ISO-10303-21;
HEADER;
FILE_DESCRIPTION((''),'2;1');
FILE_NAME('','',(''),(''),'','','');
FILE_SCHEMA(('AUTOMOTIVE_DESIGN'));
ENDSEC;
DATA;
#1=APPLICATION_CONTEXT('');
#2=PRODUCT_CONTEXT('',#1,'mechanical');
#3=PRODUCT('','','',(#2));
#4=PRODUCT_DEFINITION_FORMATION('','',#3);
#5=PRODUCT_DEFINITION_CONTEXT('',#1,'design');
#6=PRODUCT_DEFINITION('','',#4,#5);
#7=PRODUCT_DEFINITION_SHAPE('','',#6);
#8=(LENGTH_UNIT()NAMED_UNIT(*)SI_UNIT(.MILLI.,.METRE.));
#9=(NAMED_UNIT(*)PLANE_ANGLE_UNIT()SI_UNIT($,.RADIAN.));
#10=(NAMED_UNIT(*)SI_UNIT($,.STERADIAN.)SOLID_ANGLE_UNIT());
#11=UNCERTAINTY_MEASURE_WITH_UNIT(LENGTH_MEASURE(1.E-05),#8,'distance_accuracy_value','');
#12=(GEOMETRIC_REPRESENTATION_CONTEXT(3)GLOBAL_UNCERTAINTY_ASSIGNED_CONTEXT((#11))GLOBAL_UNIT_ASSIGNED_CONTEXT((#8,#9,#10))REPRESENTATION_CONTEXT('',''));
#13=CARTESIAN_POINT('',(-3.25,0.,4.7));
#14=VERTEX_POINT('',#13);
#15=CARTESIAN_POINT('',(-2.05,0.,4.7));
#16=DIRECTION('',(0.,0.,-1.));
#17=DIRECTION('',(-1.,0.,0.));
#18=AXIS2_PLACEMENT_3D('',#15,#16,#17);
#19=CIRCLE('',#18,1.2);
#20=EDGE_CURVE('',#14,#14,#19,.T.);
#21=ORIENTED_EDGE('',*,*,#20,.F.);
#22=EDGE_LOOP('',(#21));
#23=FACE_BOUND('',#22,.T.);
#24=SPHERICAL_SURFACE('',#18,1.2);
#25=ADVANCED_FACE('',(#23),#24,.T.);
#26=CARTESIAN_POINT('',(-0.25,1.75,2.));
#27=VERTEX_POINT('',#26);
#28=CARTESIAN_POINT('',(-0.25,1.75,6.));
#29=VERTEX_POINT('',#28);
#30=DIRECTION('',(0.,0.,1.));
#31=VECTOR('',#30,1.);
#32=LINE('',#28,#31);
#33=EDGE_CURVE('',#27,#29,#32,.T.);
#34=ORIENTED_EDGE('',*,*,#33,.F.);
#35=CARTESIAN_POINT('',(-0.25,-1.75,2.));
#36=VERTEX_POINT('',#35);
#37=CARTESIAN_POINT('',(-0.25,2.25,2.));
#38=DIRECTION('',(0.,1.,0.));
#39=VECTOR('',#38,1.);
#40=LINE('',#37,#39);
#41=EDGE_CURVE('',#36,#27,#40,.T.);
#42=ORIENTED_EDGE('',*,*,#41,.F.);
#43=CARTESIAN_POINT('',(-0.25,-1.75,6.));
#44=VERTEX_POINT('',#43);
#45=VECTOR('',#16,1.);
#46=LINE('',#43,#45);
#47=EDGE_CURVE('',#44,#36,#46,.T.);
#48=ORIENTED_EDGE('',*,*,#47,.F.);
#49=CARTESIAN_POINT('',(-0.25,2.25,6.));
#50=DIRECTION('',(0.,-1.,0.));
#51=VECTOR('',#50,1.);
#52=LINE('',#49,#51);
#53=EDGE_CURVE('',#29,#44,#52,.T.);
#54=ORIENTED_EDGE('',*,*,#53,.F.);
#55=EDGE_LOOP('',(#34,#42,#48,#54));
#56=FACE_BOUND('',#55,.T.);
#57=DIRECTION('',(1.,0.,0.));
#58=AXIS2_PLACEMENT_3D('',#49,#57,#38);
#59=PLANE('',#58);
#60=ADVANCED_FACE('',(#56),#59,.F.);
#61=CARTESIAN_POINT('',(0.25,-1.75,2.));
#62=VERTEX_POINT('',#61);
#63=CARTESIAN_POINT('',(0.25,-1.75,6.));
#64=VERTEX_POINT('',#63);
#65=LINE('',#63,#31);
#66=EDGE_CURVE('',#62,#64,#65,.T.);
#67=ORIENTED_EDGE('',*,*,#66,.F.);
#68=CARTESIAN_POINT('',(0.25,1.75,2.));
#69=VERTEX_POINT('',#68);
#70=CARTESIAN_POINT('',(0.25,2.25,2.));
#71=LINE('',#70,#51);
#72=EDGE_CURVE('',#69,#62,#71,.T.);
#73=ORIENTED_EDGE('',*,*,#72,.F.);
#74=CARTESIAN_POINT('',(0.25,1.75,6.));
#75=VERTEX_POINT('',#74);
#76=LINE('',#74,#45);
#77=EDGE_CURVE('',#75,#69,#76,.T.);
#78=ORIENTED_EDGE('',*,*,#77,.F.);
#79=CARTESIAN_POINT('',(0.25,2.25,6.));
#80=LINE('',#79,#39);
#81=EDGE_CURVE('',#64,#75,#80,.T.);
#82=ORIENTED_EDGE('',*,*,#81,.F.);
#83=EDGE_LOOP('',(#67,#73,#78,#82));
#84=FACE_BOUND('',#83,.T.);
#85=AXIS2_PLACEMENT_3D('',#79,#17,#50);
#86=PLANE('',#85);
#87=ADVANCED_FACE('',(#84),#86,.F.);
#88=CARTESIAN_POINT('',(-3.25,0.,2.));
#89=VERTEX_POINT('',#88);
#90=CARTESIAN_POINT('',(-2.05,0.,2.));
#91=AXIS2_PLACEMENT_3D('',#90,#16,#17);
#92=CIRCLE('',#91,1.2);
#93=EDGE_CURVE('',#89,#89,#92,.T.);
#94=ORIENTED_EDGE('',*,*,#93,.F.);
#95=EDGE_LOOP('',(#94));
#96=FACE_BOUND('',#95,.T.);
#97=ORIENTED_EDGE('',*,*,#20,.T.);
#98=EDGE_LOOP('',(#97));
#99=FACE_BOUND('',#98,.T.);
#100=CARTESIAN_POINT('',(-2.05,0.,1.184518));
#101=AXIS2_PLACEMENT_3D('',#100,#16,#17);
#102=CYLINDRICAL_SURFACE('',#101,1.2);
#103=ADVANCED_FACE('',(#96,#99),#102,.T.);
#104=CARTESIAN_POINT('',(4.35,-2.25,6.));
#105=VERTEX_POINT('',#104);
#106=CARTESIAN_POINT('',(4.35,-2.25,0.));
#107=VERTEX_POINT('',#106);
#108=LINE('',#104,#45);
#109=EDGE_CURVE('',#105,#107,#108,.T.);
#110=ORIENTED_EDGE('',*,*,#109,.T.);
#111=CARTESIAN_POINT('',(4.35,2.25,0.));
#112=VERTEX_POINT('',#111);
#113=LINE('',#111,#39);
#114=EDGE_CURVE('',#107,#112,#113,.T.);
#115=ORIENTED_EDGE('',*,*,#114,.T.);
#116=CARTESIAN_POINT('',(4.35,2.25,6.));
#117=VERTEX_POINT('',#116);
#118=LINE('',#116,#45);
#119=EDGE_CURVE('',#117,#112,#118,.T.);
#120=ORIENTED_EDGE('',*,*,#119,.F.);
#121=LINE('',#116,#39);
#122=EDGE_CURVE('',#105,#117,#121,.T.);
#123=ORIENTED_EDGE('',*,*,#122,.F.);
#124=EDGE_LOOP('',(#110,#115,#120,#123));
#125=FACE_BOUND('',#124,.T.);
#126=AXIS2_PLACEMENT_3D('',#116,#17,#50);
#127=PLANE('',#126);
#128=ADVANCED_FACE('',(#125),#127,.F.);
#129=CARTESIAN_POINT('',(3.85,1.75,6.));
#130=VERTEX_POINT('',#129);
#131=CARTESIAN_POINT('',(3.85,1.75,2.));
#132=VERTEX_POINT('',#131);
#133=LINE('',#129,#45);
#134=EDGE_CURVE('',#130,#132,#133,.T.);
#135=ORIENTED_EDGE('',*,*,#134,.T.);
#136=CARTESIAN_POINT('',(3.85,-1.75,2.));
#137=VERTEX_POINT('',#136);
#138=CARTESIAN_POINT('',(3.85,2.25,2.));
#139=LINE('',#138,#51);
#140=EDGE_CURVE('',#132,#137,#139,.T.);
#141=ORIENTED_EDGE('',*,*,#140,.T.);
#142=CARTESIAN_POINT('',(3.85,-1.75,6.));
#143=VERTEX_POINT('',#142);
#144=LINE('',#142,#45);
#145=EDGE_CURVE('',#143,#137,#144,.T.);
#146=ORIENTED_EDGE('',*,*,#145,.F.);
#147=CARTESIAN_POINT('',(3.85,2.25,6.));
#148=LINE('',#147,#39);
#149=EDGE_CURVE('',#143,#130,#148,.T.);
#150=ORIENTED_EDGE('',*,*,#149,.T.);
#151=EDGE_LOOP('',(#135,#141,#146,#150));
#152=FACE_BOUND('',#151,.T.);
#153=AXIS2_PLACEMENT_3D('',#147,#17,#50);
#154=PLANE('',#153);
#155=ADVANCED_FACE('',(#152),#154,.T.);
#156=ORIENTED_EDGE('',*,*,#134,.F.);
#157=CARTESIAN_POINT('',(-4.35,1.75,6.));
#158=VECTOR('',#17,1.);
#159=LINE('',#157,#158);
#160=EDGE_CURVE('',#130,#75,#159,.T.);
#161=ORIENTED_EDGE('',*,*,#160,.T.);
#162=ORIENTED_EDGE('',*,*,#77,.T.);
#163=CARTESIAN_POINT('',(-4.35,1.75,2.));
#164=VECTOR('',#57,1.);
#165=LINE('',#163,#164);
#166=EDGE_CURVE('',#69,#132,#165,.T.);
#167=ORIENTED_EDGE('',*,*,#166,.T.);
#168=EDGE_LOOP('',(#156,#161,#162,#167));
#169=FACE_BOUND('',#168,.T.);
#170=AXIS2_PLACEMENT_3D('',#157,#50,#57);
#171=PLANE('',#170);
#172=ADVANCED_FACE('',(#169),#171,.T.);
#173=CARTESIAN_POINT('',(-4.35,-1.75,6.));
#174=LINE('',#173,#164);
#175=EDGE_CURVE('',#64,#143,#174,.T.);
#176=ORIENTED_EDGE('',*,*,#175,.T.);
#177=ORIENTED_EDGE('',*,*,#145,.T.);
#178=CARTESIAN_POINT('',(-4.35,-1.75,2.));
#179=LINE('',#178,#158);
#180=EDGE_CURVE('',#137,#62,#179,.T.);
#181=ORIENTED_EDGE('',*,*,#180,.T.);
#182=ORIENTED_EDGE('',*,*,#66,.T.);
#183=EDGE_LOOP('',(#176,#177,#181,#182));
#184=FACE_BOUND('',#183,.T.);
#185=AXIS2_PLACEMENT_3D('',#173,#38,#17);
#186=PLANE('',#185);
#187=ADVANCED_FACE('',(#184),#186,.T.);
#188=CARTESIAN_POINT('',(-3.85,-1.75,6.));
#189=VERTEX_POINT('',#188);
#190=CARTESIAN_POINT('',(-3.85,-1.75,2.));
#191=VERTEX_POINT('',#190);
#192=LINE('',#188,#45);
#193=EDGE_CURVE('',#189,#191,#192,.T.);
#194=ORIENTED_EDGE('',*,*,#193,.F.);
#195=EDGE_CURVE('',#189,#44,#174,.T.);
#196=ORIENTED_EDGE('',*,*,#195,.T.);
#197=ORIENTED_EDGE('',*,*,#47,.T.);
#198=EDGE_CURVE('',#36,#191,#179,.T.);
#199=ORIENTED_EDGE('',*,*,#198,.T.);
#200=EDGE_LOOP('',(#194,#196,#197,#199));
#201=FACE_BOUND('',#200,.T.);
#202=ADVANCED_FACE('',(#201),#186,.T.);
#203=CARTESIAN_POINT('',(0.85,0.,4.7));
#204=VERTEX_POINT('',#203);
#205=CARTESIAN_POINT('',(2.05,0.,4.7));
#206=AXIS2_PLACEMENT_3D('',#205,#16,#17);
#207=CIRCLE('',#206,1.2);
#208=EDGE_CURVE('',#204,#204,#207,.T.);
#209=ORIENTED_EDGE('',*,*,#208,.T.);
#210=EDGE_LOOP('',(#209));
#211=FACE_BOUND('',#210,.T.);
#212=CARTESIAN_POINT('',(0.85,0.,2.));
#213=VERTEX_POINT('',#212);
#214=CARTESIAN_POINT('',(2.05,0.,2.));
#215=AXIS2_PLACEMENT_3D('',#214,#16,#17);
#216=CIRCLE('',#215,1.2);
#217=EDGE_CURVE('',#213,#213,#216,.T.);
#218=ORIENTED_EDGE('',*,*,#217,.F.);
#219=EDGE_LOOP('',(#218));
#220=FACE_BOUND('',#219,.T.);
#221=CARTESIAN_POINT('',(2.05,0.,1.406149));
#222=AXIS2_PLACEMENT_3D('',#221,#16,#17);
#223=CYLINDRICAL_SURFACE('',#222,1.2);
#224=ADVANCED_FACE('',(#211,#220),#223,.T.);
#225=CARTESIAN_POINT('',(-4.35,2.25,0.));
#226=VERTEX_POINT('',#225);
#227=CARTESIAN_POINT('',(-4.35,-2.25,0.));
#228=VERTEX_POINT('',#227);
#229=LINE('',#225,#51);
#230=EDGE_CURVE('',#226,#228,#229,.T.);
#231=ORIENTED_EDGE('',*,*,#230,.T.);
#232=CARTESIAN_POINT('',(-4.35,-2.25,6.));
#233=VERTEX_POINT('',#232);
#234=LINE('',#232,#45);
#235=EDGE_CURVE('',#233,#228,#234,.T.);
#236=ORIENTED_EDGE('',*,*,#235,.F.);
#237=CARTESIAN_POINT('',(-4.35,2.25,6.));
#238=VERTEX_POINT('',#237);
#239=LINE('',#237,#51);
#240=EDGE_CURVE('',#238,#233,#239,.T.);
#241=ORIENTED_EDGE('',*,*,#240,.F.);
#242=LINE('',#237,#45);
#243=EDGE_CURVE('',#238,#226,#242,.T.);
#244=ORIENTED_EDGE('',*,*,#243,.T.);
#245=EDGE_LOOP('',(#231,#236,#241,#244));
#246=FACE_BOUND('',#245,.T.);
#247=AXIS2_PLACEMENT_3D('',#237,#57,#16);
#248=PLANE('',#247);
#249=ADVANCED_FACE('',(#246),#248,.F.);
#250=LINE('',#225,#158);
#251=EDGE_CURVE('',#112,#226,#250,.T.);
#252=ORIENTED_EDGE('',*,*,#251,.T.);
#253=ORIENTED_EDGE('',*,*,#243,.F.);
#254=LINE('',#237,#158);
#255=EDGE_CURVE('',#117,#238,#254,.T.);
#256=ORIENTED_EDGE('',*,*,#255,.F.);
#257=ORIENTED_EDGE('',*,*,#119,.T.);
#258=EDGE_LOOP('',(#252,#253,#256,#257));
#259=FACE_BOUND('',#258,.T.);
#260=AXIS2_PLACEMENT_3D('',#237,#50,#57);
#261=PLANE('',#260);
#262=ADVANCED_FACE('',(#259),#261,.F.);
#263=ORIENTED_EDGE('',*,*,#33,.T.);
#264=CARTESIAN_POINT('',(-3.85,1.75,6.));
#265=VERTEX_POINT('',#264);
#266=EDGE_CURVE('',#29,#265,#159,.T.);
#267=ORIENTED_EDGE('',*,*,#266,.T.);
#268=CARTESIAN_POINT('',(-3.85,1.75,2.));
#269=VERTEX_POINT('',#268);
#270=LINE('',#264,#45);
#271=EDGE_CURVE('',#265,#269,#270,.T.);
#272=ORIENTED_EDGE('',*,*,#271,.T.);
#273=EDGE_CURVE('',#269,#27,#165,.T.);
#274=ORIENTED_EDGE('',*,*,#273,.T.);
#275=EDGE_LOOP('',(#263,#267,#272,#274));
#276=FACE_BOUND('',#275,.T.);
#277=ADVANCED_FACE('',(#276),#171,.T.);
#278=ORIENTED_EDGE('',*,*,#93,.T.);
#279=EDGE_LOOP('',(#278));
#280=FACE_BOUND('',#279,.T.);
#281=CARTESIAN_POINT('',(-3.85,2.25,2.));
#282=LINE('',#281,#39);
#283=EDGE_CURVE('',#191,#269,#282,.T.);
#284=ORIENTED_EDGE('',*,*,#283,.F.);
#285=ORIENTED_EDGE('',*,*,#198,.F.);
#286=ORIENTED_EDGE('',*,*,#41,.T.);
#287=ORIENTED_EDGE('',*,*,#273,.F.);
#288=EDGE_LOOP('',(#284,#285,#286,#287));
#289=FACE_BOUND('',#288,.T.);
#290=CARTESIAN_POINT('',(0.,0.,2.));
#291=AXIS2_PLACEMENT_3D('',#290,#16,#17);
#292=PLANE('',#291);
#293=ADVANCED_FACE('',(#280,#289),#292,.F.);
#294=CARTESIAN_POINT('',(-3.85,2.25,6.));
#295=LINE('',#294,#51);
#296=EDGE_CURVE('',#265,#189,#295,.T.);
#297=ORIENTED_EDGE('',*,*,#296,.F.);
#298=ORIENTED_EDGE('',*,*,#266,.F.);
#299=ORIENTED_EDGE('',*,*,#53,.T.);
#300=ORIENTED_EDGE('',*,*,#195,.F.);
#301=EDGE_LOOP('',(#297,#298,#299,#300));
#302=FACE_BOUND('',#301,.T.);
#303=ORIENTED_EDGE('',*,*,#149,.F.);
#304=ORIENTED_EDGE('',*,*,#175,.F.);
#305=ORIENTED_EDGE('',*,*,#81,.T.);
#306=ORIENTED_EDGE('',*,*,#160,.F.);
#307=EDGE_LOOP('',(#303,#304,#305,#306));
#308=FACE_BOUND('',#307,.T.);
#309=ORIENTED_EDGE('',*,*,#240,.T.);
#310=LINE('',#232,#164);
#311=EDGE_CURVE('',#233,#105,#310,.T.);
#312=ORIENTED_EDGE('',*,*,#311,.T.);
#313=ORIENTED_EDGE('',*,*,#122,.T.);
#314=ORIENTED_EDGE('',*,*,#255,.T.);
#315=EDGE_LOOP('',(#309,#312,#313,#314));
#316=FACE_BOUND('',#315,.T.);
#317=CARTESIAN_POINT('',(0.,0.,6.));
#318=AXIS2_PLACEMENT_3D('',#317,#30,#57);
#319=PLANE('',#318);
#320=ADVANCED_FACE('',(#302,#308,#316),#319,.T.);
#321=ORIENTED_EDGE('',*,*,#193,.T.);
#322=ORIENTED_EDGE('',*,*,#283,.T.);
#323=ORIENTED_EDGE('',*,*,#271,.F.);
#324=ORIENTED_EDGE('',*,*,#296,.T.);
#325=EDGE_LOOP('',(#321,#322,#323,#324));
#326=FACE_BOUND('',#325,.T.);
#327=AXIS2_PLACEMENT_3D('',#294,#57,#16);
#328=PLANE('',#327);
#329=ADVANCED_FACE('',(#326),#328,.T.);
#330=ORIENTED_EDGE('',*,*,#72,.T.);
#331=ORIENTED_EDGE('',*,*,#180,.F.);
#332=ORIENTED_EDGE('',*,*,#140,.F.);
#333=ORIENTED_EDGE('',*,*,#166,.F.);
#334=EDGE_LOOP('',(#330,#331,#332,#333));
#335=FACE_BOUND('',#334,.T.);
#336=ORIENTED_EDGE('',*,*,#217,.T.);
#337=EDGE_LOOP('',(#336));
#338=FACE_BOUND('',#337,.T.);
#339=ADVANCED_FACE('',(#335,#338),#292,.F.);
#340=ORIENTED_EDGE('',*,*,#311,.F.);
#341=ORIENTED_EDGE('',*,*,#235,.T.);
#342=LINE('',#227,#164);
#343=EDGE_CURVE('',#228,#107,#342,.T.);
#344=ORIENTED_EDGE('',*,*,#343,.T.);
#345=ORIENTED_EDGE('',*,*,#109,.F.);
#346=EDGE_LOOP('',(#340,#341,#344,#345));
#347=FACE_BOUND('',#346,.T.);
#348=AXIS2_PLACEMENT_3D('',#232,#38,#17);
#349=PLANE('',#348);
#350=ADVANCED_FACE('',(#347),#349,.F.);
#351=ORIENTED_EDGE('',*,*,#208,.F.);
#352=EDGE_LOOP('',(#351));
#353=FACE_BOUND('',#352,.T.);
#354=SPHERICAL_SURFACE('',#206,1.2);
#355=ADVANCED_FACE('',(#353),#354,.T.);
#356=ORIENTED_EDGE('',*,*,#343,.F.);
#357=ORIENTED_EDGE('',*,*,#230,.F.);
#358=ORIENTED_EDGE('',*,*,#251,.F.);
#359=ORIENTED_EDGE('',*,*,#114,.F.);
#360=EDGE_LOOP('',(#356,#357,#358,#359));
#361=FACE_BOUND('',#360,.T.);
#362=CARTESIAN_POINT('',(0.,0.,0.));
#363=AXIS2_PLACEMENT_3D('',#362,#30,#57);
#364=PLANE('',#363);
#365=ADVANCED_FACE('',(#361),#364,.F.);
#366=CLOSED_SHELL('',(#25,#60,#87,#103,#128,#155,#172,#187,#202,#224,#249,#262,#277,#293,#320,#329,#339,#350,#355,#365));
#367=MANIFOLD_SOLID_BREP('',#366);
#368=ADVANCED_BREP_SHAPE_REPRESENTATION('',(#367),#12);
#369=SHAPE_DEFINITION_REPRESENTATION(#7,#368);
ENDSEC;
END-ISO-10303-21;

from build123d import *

# Parameters (mm, degrees)
ESQUISSE1_W        = 8.7
ESQUISSE1_H        = 4.5
ESQUISSE1_W_2      = 7.7
ESQUISSE1_H_2      = 3.5
EXTRU_MINCE1_DEPTH = 6
ESQUISSE2_W        = 0.5
ESQUISSE2_H        = 4.5
BOSS_EXTRU_1_DEPTH = 6
ESQUISSE3_W        = 8.7
ESQUISSE3_H        = 4.5
BOSS_EXTRU_2_DEPTH = 2


with BuildPart() as part:
    # Esquisse1 → Extru.-Mince1 (new body)
    with BuildSketch(Plane.XY):
        Rectangle(ESQUISSE1_W, ESQUISSE1_H)
        Rectangle(ESQUISSE1_W_2, ESQUISSE1_H_2, mode=Mode.SUBTRACT)
    extrude(amount=EXTRU_MINCE1_DEPTH)

    # Esquisse2 → Boss.-Extru.1 (add)
    with BuildSketch(Plane.XY):
        Rectangle(ESQUISSE2_W, ESQUISSE2_H)
    extrude(amount=BOSS_EXTRU_1_DEPTH)

    # Esquisse3 → Boss.-Extru.2 (add)
    with BuildSketch(Plane(origin=(0, 0, 0), x_dir=(-1, 0, 0), z_dir=(0, 0, -1))):
        Rectangle(ESQUISSE3_W, ESQUISSE3_H)
    extrude(amount=-BOSS_EXTRU_2_DEPTH)

    # Esquisse5 → Révolution1 (revolve)
    with BuildSketch(Plane(origin=(0, 0, 0), x_dir=(1, 0, 0), z_dir=(0, 1, 0))):
        with BuildLine():
            Line((-3.25, -4.7), (-3.25, -2))
            Line((-3.25, -2), (-2.05, -2))
            Line((-2.05, -2), (-2.05, -5.9))
            ThreePointArc((-2.05, -5.9), (-2.898528137, -5.548528137), (-3.25, -4.7))
        make_face()
    revolve(axis=Axis((-2.05, 0, 1.184517664), (0, 0, 1)))

    # Esquisse6 → Révolution2 (revolve)
    with BuildSketch(Plane(origin=(0, 0, 0), x_dir=(1, 0, 0), z_dir=(0, 1, 0))):
        with BuildLine():
            Line((0.85, -4.7), (0.85, -2))
            Line((0.85, -2), (2.05, -2))
            Line((2.05, -2), (2.05, -5.9))
            ThreePointArc((2.05, -5.9), (1.201471863, -5.548528137), (0.85, -4.7))
        make_face()
    revolve(axis=Axis((2.05, 0, 1.406149481), (0, 0, 1)))


solid = part.part
